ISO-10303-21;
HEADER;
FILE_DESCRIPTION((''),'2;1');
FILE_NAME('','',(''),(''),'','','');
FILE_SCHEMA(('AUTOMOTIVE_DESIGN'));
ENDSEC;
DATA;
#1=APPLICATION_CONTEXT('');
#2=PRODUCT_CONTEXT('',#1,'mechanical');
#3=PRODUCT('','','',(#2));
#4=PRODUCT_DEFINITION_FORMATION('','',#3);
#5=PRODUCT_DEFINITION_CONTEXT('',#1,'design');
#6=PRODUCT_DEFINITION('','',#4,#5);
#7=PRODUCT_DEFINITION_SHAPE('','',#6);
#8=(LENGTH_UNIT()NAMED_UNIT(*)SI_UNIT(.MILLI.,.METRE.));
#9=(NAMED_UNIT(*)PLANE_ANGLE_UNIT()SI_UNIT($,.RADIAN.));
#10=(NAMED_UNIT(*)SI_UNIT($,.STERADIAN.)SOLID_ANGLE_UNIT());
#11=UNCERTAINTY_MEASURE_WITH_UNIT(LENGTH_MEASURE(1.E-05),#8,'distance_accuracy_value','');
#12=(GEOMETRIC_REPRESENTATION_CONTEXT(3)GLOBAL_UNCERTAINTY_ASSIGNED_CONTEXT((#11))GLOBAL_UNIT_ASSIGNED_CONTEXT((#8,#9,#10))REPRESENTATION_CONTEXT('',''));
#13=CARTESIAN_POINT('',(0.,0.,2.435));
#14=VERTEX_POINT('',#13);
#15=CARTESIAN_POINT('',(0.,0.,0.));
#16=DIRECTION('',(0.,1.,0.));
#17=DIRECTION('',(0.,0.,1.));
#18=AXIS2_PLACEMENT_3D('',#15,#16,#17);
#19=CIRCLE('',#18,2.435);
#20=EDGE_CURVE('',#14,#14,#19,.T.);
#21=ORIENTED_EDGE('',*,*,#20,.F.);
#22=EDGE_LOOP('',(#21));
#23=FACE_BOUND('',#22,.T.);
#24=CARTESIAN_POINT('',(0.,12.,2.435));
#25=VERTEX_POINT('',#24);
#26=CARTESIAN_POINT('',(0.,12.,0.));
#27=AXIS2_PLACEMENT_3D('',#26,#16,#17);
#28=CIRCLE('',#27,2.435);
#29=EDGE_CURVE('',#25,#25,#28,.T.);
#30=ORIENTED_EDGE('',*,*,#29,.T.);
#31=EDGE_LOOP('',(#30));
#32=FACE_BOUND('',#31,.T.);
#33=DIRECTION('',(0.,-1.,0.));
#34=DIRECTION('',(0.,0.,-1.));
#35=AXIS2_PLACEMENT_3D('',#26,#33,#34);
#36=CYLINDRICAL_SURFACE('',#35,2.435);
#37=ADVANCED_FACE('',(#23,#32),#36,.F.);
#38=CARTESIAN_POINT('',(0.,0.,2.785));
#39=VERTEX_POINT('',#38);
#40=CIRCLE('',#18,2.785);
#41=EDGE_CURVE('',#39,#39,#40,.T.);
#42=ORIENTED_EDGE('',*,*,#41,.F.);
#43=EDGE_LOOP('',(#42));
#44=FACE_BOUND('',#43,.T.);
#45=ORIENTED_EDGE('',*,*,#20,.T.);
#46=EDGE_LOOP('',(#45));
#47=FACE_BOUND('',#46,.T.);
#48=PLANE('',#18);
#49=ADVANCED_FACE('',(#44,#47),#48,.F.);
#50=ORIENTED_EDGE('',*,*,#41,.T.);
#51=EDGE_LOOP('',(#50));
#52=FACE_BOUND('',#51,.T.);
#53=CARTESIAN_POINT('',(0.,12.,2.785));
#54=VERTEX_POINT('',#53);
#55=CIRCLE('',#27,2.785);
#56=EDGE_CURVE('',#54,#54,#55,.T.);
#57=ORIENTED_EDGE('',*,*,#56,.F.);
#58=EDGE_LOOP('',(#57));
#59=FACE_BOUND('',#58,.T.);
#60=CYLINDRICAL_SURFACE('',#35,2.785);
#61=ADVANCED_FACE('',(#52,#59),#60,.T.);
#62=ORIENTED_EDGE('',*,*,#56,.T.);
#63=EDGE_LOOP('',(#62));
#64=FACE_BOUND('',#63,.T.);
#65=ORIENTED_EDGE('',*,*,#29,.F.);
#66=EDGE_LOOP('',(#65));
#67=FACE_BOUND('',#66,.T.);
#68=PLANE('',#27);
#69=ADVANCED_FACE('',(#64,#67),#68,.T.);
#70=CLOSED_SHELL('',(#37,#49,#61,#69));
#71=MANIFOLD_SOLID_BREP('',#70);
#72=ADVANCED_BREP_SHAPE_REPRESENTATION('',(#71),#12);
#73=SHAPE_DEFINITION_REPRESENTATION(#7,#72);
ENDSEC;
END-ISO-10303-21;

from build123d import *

# Parameters (mm, degrees)
SKETCH2_R           = 2.785
BOSS_EXTRUDE1_DEPTH = 12
SHELL1_T            = -0.35


with BuildPart() as part:
    # Sketch2 → Boss-Extrude1 (new body)
    with BuildSketch(Plane(origin=(0, 0, 0), x_dir=(1, 0, 0), z_dir=(0, 1, 0))):
        with Locations(Location((0, 0, 0), (0, 0, 270))):
            Circle(SKETCH2_R)
    extrude(amount=BOSS_EXTRUDE1_DEPTH)

    # Shell1
    shell1_openings = [part.faces().sort_by_distance(p)[0] for p in [
        (0, 12, 0),
        (0, 0, 0),
    ]]
    offset(amount=SHELL1_T, openings=shell1_openings, kind=Kind.INTERSECTION)


solid = part.part
